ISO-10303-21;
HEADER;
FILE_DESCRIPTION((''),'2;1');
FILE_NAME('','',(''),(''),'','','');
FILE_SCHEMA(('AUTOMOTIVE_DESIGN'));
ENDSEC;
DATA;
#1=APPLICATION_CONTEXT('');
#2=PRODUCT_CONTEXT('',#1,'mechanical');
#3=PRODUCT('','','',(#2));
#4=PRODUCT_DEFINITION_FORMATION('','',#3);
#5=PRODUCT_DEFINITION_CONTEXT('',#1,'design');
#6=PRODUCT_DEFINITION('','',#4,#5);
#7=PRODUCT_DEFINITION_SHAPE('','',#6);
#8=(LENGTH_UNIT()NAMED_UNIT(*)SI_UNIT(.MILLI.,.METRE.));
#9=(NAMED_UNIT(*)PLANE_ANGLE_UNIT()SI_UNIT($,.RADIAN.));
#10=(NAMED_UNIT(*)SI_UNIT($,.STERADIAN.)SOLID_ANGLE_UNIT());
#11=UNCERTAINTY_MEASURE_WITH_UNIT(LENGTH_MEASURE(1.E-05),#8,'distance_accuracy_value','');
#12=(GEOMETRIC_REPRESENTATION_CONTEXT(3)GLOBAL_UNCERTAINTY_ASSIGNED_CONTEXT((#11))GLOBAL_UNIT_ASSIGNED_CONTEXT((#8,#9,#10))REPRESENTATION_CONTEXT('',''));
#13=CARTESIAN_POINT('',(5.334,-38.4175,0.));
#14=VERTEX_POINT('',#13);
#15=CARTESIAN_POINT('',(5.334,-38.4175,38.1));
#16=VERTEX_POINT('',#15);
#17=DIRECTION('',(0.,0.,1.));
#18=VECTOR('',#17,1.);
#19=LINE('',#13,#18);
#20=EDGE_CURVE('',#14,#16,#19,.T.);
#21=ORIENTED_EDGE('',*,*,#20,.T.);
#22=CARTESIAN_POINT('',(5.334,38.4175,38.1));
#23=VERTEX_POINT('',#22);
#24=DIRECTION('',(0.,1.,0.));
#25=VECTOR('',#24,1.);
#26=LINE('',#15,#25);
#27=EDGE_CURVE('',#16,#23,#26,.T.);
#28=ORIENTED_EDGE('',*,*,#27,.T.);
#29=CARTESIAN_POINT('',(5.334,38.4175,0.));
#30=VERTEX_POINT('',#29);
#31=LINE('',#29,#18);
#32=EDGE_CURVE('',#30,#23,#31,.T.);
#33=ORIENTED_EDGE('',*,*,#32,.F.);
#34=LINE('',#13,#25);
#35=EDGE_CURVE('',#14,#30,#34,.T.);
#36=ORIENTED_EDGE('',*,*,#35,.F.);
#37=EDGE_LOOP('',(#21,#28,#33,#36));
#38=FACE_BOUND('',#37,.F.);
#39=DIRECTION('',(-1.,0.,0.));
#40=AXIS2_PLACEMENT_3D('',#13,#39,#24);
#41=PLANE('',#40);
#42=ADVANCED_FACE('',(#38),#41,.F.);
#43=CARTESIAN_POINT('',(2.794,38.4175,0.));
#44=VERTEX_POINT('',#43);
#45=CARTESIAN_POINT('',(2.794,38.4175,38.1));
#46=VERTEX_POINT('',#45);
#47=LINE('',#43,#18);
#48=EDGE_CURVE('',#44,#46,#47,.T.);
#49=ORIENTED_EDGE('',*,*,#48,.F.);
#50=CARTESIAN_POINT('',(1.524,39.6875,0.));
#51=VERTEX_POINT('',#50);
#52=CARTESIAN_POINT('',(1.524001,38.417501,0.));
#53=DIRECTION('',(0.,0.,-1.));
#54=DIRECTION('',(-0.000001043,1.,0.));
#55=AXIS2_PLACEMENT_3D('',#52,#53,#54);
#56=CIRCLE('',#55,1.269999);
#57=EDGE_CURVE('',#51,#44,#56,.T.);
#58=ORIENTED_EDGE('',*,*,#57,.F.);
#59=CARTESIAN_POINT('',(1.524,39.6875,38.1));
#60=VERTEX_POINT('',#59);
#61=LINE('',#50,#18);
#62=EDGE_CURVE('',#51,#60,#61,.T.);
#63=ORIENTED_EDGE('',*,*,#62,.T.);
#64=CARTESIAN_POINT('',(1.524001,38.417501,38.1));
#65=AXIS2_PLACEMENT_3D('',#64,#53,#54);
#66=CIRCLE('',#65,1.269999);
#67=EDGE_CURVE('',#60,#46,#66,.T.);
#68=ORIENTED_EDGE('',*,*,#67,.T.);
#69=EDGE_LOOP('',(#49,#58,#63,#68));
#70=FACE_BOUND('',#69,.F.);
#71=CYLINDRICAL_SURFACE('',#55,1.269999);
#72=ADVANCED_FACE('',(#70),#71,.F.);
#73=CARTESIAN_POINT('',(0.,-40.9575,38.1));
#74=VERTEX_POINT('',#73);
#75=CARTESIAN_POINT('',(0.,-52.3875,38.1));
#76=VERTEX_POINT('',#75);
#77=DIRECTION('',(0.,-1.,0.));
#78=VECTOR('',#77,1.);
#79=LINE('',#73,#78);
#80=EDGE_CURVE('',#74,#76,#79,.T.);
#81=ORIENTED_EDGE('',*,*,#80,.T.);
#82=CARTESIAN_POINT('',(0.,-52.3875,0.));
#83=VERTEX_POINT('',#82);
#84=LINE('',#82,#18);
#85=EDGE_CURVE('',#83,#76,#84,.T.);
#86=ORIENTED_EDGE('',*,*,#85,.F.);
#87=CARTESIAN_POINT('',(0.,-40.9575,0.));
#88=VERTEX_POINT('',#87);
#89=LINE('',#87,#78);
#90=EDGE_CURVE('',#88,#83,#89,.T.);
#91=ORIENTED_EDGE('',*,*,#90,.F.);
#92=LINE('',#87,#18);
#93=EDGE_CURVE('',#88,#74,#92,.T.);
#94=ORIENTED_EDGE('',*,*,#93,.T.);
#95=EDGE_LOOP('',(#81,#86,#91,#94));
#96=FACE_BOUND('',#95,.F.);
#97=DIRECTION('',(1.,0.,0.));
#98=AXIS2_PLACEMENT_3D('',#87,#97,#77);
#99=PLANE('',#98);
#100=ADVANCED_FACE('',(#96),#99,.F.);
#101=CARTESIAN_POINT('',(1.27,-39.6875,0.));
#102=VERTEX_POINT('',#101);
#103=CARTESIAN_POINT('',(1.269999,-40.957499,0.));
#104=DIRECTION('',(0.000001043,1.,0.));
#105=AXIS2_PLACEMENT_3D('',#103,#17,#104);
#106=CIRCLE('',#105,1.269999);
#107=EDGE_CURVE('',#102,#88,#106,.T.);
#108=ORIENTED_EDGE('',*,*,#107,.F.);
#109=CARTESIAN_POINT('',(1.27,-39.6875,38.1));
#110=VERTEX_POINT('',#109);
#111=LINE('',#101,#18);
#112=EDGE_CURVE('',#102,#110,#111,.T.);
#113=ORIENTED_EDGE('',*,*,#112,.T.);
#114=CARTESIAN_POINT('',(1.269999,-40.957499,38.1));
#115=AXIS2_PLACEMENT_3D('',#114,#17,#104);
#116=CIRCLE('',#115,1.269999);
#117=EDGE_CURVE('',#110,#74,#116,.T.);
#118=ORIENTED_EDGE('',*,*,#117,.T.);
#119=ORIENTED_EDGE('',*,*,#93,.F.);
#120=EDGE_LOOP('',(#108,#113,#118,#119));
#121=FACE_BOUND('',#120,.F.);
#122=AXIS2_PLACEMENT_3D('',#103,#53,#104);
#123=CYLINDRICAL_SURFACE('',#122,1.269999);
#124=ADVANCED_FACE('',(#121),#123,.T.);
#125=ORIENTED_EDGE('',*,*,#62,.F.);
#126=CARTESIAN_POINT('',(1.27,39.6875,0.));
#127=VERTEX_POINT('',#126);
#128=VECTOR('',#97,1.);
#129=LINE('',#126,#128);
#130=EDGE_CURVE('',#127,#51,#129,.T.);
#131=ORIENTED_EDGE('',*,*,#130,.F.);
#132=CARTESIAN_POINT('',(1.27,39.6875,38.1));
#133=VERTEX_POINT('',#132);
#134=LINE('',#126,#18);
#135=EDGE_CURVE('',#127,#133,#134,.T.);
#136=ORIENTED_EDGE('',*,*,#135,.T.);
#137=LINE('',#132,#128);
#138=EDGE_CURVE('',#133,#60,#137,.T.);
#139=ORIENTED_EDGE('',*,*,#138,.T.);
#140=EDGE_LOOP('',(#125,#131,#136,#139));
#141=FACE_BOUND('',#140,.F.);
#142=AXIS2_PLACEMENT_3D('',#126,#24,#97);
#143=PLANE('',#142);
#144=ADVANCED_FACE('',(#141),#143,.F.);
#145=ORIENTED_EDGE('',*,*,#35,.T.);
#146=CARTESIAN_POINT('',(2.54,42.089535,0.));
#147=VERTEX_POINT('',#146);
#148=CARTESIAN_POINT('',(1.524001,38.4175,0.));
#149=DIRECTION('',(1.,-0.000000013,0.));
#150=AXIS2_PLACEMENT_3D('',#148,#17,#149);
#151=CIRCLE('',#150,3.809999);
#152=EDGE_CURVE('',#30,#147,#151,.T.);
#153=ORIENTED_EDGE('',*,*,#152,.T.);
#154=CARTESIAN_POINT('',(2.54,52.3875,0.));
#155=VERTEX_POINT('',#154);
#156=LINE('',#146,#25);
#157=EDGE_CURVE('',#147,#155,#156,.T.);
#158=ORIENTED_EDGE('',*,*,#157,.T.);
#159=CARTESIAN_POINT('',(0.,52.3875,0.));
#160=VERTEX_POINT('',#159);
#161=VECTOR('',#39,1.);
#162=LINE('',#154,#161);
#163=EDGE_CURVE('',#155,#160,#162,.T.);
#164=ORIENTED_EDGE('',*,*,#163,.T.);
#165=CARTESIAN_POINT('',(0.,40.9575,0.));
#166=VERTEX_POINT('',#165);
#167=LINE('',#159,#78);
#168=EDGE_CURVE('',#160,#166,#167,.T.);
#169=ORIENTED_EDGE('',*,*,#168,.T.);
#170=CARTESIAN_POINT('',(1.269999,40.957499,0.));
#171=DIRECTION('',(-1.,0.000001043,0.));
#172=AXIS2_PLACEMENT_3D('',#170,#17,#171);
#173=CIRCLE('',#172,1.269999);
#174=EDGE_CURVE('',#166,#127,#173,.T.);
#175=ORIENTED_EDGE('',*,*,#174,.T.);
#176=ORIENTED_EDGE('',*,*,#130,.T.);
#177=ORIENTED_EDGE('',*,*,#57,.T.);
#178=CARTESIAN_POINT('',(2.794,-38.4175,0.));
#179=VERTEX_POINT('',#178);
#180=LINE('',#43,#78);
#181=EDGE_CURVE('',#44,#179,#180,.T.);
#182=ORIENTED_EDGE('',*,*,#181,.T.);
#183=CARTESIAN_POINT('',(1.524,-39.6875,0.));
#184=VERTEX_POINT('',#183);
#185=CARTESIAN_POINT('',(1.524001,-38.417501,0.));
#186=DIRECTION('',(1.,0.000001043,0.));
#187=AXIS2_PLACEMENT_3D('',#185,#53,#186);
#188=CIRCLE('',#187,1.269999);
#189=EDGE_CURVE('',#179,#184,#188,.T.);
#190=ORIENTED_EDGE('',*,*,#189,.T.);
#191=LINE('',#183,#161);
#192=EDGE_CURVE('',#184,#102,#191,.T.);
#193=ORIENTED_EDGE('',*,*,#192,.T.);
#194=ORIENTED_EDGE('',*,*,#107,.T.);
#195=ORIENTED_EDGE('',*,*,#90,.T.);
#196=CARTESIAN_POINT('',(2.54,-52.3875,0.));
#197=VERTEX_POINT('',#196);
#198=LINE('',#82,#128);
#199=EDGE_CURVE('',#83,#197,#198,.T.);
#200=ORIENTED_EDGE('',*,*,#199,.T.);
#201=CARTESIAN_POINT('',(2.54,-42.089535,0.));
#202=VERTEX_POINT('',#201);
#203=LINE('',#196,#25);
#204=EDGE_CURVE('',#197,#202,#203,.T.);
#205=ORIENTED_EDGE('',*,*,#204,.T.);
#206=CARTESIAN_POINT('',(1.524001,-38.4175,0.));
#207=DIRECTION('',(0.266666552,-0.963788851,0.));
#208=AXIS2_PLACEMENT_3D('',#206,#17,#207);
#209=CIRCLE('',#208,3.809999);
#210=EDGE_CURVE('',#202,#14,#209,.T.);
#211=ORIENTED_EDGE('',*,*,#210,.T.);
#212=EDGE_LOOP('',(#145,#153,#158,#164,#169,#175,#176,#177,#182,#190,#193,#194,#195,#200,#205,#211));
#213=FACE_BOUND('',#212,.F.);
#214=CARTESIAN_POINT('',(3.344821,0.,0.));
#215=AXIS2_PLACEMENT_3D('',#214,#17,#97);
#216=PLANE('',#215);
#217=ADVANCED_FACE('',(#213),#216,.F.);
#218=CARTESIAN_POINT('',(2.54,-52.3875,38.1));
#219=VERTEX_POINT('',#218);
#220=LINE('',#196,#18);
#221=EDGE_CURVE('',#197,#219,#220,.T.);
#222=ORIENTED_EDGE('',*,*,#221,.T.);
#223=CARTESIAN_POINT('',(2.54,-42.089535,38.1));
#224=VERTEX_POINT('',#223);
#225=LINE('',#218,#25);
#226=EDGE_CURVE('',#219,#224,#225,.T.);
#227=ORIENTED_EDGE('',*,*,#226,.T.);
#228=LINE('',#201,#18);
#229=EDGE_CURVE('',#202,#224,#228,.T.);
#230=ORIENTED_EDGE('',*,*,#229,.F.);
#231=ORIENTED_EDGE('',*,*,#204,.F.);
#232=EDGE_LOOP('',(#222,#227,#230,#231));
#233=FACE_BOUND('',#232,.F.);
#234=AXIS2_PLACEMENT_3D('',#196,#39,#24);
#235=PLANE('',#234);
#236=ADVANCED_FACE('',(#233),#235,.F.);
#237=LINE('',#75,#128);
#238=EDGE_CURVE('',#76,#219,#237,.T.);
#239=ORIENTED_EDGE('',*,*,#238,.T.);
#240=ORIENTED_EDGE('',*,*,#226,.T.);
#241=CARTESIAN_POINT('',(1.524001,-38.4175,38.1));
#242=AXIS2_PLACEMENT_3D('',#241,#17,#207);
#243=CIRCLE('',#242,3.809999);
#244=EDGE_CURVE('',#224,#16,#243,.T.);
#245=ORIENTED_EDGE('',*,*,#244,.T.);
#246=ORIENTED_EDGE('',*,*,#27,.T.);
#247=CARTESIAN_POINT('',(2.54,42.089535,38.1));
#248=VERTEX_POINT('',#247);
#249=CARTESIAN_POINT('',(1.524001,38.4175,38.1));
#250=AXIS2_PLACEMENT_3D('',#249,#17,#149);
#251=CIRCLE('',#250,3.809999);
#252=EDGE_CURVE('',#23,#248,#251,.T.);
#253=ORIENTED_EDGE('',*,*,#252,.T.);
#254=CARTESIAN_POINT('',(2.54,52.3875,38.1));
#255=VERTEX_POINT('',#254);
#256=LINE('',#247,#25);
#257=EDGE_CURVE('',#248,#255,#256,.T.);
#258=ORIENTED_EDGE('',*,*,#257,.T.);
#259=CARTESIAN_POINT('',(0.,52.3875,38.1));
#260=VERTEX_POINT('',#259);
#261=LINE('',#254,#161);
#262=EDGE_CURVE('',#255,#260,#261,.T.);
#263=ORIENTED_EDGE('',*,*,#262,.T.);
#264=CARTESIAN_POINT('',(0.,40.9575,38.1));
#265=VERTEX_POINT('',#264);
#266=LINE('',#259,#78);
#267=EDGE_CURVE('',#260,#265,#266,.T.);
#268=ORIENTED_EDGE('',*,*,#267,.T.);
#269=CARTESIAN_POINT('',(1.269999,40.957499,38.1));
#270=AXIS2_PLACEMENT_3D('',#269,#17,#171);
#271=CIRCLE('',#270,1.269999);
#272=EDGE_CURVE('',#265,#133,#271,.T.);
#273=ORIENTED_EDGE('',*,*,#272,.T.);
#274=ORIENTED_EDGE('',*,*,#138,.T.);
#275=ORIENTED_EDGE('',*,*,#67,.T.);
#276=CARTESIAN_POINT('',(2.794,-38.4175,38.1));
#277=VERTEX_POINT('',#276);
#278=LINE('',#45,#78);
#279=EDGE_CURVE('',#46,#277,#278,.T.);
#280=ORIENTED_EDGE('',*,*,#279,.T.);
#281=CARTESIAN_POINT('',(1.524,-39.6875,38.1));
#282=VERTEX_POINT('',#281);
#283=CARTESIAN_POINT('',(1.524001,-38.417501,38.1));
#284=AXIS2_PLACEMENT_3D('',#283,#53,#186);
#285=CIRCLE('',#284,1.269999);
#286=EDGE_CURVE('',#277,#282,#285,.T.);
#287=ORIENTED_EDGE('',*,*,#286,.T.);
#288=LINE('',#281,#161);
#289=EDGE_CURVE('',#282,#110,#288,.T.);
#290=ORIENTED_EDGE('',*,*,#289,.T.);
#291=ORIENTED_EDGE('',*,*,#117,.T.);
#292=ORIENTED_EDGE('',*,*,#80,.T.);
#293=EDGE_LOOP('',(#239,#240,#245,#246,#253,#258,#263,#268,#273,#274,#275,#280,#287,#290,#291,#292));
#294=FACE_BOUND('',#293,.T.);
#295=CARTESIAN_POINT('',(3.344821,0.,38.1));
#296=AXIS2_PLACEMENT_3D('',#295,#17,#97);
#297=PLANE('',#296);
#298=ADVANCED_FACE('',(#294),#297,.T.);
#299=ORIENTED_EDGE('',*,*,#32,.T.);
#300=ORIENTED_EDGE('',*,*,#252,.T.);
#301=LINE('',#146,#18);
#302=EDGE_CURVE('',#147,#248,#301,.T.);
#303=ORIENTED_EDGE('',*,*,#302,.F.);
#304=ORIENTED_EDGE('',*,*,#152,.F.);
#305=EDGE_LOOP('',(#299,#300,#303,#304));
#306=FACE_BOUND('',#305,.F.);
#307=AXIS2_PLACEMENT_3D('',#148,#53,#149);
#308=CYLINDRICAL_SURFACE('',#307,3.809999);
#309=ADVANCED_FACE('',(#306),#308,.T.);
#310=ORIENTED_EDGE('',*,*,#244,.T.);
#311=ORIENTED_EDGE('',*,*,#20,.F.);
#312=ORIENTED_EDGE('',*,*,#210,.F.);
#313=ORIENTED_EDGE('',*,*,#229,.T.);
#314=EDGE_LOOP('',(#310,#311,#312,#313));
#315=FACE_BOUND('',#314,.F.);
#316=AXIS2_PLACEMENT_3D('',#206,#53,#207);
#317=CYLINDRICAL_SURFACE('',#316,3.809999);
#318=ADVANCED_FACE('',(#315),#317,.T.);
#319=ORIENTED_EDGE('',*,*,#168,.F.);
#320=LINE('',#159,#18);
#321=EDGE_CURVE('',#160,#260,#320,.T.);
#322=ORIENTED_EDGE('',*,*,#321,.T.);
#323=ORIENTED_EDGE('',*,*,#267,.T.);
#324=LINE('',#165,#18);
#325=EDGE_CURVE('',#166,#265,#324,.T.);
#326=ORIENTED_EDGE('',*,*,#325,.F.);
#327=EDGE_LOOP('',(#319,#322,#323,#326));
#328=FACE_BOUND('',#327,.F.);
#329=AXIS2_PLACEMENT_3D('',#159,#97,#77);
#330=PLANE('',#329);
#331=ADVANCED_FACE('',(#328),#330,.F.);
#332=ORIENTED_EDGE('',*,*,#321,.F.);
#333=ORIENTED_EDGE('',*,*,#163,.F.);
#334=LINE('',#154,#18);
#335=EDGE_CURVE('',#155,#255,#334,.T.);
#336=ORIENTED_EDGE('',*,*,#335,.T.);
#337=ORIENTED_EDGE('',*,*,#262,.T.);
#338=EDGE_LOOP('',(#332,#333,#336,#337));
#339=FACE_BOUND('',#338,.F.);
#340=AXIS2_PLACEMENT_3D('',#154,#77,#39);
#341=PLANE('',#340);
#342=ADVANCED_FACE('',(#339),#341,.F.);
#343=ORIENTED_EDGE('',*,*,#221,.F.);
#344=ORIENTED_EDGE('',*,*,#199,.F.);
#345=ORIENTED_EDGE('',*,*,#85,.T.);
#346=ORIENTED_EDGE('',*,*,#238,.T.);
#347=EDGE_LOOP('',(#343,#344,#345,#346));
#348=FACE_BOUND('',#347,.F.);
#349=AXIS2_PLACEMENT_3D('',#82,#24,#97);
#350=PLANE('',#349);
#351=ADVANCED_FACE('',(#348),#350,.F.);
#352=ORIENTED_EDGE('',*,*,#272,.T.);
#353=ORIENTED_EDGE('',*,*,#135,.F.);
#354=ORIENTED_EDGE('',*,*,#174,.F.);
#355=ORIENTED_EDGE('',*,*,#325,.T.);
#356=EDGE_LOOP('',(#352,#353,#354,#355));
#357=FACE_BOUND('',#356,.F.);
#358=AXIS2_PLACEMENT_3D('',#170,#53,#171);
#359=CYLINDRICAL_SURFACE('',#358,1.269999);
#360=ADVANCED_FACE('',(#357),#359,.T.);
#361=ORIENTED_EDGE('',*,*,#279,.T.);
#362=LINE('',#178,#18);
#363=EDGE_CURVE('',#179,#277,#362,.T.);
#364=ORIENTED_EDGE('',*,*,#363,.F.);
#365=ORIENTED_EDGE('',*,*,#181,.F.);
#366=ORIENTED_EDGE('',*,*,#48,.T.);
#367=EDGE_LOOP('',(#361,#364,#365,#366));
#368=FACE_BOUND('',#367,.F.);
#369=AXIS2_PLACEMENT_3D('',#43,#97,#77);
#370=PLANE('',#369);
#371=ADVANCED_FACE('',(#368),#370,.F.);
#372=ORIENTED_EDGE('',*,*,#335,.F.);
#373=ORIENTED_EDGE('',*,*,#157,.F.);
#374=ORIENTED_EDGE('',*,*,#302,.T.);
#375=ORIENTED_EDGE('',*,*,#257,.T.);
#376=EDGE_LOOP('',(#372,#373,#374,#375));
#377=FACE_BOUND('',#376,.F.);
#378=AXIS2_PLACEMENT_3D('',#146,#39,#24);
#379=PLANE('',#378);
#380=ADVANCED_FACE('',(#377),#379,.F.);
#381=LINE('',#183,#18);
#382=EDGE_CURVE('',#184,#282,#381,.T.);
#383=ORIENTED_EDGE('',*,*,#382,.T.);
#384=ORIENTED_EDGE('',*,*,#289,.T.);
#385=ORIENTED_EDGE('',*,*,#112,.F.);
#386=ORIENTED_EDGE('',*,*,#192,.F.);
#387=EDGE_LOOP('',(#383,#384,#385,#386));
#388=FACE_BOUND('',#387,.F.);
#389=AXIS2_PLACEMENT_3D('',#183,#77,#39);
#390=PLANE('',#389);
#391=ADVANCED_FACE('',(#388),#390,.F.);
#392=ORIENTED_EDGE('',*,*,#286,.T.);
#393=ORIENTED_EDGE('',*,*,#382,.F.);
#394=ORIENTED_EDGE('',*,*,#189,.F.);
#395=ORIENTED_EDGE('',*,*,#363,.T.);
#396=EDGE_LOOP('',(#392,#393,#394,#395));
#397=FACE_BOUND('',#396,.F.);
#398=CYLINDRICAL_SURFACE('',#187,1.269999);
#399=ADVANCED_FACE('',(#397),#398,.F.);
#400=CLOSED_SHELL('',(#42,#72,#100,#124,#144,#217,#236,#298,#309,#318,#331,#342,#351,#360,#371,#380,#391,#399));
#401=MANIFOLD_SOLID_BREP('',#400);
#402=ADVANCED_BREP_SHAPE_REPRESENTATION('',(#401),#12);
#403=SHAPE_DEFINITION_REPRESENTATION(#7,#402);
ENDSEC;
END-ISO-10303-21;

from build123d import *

# Parameters (mm, degrees)
F1_DEPTH = 38.1


with BuildPart() as f1:
    # F0 (on Top) → F1 (new body)
    with BuildSketch(Plane.XY):
        with BuildLine():
            ThreePointArc((1.27, -39.6875), (0.371974, -40.059474), (0, -40.9575))
            Line((0, -40.9575), (0, -52.3875))
            Line((0, -52.3875), (2.54, -52.3875))
            Line((2.54, -52.3875), (2.54, -42.089535))
            ThreePointArc((2.54, -42.089535), (4.556083, -40.72457), (5.334, -38.4175))
            Line((5.334, -38.4175), (5.334, 0))
            Line((5.334, 0), (5.334, 38.4175))
            ThreePointArc((5.334, 38.4175), (4.556083, 40.72457), (2.54, 42.089535))
            Line((2.54, 42.089535), (2.54, 52.3875))
            Line((2.54, 52.3875), (0, 52.3875))
            Line((0, 52.3875), (0, 40.9575))
            ThreePointArc((0, 40.9575), (0.371974, 40.059474), (1.27, 39.6875))
            Line((1.27, 39.6875), (1.524, 39.6875))
            ThreePointArc((1.524, 39.6875), (2.422026, 39.315526), (2.794, 38.4175))
            Line((2.794, 38.4175), (2.794, 0))
            Line((2.794, 0), (2.794, -38.4175))
            ThreePointArc((2.794, -38.4175), (2.422026, -39.315526), (1.524, -39.6875))
            Line((1.524, -39.6875), (1.27, -39.6875))
        make_face()
    extrude(amount=F1_DEPTH)


solid = f1.part
